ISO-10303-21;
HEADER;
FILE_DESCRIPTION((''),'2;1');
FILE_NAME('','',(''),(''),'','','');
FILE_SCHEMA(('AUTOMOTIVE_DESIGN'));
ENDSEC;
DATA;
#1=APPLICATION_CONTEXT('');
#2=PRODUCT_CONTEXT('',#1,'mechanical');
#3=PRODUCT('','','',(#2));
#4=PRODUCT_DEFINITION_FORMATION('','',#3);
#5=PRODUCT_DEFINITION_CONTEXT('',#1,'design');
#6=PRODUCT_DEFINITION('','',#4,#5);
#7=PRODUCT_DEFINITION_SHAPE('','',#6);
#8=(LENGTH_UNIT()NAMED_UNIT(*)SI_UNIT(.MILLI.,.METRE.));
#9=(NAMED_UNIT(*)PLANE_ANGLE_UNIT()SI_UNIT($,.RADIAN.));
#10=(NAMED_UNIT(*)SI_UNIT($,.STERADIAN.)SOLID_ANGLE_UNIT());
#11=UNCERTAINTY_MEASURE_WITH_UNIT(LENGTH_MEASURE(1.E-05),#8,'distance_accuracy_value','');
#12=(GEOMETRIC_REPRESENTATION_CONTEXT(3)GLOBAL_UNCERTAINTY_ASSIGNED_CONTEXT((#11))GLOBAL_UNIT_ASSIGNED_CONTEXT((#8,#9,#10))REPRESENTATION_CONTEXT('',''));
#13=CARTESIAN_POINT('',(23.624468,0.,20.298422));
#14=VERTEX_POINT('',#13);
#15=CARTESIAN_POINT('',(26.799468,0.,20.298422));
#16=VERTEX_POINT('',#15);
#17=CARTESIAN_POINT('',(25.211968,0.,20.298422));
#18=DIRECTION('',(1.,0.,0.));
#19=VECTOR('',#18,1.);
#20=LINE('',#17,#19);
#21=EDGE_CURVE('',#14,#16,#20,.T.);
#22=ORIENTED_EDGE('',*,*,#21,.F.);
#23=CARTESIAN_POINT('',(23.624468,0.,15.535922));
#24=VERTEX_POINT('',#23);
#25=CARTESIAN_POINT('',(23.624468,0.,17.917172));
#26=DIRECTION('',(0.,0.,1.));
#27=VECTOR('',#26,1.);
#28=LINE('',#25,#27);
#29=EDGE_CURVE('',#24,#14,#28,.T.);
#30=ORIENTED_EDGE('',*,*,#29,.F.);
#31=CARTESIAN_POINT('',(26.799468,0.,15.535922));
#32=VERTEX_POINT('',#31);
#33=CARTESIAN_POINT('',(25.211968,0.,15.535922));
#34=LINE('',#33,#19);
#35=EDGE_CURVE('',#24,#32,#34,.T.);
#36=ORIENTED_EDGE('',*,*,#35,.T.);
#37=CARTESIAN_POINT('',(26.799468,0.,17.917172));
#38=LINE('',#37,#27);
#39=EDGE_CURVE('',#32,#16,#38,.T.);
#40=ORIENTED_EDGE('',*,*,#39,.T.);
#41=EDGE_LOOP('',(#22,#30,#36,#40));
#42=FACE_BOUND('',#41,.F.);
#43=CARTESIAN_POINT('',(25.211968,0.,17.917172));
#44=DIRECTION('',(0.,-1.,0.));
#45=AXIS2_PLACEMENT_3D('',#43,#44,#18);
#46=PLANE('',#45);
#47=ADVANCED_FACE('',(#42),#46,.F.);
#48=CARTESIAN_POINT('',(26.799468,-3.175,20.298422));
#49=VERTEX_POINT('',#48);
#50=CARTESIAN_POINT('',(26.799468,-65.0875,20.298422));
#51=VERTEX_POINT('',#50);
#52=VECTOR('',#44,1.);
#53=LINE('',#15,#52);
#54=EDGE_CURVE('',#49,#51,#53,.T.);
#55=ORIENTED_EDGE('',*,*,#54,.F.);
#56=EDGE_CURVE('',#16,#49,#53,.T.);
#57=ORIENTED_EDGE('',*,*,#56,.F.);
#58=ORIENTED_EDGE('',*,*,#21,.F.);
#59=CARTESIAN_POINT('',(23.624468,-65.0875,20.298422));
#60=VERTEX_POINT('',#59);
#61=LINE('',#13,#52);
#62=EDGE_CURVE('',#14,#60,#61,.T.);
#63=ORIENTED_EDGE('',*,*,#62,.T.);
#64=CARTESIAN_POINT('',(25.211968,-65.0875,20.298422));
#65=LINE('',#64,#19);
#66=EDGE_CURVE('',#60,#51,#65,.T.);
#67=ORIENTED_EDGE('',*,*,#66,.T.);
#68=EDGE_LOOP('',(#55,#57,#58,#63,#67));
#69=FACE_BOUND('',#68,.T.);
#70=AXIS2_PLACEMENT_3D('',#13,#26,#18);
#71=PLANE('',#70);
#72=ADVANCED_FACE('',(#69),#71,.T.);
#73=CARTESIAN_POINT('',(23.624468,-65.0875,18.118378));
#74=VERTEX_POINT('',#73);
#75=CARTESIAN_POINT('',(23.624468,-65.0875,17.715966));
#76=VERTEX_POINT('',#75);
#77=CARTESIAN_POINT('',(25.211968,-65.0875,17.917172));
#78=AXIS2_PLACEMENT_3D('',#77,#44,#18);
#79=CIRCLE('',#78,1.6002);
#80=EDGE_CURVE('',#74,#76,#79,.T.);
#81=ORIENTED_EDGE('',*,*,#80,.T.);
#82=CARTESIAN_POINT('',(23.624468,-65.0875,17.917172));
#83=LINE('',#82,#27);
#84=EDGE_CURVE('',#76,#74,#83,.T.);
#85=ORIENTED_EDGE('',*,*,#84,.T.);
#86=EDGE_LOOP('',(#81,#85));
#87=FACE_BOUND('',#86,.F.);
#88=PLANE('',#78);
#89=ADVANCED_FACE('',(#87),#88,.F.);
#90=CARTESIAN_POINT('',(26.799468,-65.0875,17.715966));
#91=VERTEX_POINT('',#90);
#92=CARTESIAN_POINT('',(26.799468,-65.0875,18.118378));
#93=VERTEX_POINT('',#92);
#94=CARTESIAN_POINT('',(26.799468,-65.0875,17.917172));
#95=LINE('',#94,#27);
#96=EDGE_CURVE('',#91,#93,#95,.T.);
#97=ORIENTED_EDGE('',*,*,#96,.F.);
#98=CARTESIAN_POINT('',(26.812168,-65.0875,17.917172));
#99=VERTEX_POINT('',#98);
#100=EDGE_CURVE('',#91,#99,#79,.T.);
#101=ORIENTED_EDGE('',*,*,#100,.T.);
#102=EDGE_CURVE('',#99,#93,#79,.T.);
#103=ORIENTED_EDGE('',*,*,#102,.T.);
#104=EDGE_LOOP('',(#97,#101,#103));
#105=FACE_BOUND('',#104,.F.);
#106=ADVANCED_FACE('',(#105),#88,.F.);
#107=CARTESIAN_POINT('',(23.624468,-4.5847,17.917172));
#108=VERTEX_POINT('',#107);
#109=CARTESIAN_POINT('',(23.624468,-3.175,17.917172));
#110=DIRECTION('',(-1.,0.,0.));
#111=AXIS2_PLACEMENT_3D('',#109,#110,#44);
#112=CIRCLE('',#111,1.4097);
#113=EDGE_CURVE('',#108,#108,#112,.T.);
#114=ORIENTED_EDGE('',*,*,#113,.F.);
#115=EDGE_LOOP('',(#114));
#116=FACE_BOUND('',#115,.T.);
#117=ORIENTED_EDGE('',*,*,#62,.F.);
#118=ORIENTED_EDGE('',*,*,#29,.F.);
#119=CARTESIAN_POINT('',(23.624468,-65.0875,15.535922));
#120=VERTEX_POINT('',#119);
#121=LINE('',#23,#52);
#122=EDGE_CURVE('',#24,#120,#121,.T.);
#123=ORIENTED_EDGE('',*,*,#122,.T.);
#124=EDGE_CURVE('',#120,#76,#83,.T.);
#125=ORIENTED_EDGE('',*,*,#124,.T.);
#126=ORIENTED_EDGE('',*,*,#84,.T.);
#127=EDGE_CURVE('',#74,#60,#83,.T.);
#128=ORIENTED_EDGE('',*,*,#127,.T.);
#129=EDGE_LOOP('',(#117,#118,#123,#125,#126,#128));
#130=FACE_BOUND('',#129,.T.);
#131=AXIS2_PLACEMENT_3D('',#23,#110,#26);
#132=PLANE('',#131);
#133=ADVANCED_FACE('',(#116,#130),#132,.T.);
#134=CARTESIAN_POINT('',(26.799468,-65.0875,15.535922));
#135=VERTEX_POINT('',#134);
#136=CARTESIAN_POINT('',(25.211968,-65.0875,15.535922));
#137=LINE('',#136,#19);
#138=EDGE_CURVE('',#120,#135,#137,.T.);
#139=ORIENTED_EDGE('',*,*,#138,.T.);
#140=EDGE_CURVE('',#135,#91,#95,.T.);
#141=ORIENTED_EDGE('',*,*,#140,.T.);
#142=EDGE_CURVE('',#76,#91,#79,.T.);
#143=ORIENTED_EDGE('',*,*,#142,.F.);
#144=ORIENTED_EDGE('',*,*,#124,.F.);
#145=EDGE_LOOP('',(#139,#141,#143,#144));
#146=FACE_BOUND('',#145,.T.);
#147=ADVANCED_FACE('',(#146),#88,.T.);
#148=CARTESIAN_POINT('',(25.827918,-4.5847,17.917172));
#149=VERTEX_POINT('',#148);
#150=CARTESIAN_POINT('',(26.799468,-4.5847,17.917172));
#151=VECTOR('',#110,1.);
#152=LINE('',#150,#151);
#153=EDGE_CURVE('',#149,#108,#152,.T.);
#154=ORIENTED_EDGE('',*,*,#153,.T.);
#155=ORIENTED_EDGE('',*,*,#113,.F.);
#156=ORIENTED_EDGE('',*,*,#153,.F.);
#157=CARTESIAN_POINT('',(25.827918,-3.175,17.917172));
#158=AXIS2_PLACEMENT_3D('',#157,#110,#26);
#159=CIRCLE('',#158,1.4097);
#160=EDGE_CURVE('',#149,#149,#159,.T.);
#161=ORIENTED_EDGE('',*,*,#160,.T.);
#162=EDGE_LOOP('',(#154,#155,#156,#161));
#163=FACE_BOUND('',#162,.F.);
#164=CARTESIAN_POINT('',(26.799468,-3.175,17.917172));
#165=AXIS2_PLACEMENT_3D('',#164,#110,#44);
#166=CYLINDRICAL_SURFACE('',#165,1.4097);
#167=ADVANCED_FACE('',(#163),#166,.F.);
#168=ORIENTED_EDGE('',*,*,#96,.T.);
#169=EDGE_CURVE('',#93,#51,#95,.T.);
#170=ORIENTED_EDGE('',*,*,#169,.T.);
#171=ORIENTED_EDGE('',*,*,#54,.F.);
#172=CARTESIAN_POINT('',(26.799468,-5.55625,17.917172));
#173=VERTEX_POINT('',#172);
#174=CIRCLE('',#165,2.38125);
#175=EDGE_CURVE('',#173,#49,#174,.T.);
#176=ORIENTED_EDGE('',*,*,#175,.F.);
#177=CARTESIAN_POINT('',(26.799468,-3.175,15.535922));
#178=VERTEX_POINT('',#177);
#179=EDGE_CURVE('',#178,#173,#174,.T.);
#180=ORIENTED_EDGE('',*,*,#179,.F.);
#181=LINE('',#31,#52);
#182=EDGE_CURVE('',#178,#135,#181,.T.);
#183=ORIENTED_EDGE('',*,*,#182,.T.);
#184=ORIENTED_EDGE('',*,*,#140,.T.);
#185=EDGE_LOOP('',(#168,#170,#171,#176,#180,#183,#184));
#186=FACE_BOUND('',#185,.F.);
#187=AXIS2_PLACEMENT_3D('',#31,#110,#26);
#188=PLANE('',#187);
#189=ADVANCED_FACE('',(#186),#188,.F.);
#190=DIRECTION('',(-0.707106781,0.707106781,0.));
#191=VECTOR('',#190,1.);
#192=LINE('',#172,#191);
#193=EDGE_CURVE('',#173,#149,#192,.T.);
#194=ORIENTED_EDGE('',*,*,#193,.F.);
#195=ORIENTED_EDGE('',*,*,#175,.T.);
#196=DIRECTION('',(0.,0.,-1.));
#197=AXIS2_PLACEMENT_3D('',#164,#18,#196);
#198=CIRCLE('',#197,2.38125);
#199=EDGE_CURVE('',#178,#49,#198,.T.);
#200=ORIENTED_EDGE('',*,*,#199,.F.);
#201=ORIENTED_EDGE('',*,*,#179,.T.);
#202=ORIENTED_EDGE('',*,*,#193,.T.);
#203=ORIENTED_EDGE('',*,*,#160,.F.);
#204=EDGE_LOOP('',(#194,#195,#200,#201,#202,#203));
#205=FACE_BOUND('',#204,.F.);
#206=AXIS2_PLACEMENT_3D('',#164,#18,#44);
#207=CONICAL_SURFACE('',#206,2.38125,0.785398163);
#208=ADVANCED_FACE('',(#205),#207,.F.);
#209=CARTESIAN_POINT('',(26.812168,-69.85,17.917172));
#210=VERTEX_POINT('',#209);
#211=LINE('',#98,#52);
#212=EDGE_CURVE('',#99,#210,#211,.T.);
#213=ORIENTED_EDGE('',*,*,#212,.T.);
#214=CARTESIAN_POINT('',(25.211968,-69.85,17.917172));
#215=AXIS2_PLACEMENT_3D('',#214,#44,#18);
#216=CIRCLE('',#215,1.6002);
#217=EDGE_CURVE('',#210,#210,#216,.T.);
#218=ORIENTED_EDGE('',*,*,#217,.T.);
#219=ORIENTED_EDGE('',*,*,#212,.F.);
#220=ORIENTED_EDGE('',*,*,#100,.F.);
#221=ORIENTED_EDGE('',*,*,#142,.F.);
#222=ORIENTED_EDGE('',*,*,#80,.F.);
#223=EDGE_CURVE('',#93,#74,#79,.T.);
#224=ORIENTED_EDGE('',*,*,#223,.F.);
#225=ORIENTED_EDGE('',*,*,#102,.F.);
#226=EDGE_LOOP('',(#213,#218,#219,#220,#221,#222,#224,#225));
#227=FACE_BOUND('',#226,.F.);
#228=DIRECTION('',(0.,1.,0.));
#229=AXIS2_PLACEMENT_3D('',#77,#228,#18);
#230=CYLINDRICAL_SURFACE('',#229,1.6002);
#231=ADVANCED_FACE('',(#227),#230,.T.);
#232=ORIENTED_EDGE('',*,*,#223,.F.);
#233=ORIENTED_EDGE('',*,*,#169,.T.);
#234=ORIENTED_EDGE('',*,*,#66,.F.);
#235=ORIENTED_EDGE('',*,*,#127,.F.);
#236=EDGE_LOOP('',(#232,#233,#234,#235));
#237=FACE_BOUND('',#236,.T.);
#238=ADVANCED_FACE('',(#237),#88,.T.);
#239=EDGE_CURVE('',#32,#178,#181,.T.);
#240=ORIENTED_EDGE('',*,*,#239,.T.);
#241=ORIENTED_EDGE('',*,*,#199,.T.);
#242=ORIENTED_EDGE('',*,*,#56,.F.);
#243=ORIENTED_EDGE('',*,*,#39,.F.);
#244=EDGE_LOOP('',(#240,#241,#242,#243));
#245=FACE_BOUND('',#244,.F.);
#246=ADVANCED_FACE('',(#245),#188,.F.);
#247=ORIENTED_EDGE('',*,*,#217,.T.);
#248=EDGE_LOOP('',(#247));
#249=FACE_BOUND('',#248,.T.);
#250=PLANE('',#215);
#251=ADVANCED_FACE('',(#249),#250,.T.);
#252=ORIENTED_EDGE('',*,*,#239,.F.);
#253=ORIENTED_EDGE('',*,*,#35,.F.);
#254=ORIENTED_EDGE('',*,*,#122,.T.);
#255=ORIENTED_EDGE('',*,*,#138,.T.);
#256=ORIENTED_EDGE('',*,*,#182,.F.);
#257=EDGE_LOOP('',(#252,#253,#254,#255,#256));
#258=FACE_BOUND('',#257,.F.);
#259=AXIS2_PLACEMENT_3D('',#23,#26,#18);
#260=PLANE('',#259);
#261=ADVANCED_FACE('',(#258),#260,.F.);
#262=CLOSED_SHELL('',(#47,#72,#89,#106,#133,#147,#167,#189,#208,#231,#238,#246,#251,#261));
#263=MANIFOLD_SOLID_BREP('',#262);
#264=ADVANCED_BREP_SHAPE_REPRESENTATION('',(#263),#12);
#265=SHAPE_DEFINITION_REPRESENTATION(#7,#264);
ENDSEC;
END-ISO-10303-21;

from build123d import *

# Parameters (mm, degrees)
F0_W           = 3.175
F0_H           = 4.7625
F1_DEPTH       = 65.0875
F2_R           = 1.6002
F3_DEPTH       = 4.7625
F5_D           = 2.8194
F5_CSINK_D     = 4.7625
F5_CSINK_ANGLE = 90


with BuildPart() as f1:
    # F0 (on Front) → F1 (new body)
    with BuildSketch(Plane.XZ):
        with Locations((25.211968, 17.917172)):
            Rectangle(F0_W, F0_H)
    extrude(amount=F1_DEPTH)

    # F2 (on face) → F3 (join)
    with BuildSketch(Plane.XZ.offset(65.0875)):
        with Locations((25.211968, 17.917172)):
            Circle(F2_R)
    extrude(amount=F3_DEPTH)

    # F5 (through all)
    with Locations(Plane.YZ.offset(26.799468)):
        with Locations((-3.175, 17.917172)):
            CounterSinkHole(F5_D / 2, F5_CSINK_D / 2, counter_sink_angle=F5_CSINK_ANGLE)


solid = f1.part
